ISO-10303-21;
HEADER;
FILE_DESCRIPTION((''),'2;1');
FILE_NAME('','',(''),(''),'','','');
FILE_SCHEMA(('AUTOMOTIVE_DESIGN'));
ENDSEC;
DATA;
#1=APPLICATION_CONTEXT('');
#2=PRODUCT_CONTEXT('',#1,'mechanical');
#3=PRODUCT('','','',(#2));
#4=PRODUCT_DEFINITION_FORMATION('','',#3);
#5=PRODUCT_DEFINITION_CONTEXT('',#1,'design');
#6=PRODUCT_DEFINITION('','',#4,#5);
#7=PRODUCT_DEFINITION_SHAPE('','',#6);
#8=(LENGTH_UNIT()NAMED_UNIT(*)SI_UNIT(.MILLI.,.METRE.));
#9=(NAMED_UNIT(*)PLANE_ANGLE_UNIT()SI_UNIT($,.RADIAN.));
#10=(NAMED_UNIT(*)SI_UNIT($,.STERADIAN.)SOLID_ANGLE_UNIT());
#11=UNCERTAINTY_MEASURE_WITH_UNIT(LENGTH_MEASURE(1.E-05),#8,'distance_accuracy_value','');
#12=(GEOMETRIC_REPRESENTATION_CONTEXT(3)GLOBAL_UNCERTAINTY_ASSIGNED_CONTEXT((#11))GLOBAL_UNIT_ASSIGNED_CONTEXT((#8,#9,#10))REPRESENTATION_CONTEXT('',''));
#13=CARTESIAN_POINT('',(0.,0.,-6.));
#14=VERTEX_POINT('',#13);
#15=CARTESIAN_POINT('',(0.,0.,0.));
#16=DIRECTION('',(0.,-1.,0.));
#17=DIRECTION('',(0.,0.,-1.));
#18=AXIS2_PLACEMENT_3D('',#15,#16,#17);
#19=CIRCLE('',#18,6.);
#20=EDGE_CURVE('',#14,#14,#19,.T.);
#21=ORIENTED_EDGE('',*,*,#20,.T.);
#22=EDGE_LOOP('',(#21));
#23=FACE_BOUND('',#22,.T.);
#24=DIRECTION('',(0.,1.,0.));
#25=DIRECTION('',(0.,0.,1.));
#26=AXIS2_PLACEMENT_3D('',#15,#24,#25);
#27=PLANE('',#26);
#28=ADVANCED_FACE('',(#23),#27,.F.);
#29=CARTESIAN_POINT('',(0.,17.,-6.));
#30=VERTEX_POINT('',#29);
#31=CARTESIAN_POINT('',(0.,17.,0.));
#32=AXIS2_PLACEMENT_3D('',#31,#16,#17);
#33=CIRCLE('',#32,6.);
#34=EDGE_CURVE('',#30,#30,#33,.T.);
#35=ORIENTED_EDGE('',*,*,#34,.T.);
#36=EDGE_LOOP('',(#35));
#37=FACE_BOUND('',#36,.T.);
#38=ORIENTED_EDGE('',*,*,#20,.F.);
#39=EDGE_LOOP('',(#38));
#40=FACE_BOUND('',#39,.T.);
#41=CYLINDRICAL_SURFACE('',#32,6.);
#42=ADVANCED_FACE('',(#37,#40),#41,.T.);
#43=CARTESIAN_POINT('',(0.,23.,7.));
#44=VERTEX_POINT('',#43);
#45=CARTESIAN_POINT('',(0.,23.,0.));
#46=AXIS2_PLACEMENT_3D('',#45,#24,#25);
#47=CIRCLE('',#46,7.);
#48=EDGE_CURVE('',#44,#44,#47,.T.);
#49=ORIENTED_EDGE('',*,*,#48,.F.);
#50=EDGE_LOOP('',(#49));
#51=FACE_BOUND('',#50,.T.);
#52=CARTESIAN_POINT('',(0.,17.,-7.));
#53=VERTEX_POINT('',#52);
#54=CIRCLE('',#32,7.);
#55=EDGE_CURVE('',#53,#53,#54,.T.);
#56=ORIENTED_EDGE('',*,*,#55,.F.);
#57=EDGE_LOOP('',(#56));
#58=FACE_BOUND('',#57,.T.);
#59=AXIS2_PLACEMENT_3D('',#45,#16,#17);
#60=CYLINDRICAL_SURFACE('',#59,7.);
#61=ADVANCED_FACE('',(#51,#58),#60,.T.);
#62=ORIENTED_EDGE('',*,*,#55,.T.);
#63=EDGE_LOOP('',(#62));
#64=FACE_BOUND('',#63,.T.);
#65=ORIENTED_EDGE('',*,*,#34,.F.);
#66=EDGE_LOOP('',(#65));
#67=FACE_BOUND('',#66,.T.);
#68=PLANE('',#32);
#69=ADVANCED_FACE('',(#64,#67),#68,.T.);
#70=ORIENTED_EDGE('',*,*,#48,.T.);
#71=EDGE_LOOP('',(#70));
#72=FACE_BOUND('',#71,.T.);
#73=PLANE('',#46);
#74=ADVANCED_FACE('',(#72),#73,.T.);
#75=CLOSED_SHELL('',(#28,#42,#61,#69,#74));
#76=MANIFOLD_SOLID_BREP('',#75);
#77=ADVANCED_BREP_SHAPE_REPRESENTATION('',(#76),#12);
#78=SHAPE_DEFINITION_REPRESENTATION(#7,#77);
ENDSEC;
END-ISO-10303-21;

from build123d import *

# Parameters (mm, degrees)
SKETCH1_R           = 7
BOSS_EXTRUDE1_DEPTH = 23
SKETCH2_R           = 7
SKETCH2_R_2         = 6
CUT_EXTRUDE1_DEPTH  = 17


with BuildPart() as part:
    # Sketch1 → Boss-Extrude1 (new body)
    with BuildSketch(Plane(origin=(0, 0, 0), x_dir=(1, 0, 0), z_dir=(0, 1, 0))):
        with Locations(Location((0, 0, 0), (0, 0, 270))):
            Circle(SKETCH1_R)
    extrude(amount=BOSS_EXTRUDE1_DEPTH)

    # Sketch2 → Cut-Extrude1 (cut)
    with BuildSketch(Plane.XZ):
        with Locations(Location((0, 0, 0), (0, 0, 270))):
            Circle(SKETCH2_R)
        with Locations(Location((0, 0, 0), (0, 0, 270))):
            Circle(SKETCH2_R_2, mode=Mode.SUBTRACT)
    extrude(amount=-CUT_EXTRUDE1_DEPTH, mode=Mode.SUBTRACT)


solid = part.part
